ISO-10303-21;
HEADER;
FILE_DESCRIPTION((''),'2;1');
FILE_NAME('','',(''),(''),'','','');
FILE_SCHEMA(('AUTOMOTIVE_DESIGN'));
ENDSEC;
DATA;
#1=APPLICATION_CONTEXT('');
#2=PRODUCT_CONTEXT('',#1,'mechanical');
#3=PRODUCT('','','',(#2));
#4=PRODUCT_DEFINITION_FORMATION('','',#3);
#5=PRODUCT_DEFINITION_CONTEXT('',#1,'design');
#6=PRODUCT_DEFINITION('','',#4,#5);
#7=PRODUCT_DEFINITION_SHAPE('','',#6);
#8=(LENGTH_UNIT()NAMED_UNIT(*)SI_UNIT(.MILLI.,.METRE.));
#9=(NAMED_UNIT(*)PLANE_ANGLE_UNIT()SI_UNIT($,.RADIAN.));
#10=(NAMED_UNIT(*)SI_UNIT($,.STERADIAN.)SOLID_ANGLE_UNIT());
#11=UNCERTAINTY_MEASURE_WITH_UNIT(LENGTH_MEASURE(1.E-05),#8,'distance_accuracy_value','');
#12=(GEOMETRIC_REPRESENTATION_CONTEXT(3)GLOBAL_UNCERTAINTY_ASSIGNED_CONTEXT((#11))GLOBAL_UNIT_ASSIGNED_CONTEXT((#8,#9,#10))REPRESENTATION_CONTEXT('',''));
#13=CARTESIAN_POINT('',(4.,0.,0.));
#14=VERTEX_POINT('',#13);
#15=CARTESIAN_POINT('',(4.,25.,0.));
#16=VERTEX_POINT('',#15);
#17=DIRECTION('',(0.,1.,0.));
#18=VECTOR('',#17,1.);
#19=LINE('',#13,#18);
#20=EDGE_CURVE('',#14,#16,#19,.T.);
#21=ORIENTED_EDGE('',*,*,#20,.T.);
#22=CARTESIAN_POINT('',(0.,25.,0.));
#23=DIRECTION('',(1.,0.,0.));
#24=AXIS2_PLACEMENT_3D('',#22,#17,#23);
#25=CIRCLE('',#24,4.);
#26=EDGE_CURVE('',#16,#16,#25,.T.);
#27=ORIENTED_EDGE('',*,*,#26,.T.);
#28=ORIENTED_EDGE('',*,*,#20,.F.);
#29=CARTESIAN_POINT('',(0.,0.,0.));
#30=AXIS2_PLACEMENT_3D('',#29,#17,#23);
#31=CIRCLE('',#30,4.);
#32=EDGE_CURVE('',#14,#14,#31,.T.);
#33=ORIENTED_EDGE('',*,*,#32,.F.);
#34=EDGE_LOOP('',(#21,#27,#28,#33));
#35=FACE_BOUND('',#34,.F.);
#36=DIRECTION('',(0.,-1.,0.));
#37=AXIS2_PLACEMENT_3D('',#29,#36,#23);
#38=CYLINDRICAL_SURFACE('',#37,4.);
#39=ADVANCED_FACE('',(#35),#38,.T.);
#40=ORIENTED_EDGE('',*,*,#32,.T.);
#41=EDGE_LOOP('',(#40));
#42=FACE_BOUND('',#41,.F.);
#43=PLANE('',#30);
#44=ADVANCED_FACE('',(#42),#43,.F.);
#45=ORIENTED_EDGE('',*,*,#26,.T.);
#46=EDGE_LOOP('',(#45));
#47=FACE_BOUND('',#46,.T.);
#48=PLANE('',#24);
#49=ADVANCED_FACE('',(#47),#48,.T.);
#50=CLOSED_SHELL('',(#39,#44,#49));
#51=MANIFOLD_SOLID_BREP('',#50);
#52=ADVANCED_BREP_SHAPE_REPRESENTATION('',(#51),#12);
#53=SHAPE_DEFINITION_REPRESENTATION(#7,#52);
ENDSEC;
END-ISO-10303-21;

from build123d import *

# Parameters (mm, degrees)
SKETCH1_R           = 4
BOSS_EXTRUDE1_DEPTH = 25


with BuildPart() as part:
    # Sketch1 → Boss-Extrude1 (new body)
    with BuildSketch(Plane(origin=(0, 0, 0), x_dir=(1, 0, 0), z_dir=(0, 1, 0))):
        Circle(SKETCH1_R)
    extrude(amount=BOSS_EXTRUDE1_DEPTH)


solid = part.part
